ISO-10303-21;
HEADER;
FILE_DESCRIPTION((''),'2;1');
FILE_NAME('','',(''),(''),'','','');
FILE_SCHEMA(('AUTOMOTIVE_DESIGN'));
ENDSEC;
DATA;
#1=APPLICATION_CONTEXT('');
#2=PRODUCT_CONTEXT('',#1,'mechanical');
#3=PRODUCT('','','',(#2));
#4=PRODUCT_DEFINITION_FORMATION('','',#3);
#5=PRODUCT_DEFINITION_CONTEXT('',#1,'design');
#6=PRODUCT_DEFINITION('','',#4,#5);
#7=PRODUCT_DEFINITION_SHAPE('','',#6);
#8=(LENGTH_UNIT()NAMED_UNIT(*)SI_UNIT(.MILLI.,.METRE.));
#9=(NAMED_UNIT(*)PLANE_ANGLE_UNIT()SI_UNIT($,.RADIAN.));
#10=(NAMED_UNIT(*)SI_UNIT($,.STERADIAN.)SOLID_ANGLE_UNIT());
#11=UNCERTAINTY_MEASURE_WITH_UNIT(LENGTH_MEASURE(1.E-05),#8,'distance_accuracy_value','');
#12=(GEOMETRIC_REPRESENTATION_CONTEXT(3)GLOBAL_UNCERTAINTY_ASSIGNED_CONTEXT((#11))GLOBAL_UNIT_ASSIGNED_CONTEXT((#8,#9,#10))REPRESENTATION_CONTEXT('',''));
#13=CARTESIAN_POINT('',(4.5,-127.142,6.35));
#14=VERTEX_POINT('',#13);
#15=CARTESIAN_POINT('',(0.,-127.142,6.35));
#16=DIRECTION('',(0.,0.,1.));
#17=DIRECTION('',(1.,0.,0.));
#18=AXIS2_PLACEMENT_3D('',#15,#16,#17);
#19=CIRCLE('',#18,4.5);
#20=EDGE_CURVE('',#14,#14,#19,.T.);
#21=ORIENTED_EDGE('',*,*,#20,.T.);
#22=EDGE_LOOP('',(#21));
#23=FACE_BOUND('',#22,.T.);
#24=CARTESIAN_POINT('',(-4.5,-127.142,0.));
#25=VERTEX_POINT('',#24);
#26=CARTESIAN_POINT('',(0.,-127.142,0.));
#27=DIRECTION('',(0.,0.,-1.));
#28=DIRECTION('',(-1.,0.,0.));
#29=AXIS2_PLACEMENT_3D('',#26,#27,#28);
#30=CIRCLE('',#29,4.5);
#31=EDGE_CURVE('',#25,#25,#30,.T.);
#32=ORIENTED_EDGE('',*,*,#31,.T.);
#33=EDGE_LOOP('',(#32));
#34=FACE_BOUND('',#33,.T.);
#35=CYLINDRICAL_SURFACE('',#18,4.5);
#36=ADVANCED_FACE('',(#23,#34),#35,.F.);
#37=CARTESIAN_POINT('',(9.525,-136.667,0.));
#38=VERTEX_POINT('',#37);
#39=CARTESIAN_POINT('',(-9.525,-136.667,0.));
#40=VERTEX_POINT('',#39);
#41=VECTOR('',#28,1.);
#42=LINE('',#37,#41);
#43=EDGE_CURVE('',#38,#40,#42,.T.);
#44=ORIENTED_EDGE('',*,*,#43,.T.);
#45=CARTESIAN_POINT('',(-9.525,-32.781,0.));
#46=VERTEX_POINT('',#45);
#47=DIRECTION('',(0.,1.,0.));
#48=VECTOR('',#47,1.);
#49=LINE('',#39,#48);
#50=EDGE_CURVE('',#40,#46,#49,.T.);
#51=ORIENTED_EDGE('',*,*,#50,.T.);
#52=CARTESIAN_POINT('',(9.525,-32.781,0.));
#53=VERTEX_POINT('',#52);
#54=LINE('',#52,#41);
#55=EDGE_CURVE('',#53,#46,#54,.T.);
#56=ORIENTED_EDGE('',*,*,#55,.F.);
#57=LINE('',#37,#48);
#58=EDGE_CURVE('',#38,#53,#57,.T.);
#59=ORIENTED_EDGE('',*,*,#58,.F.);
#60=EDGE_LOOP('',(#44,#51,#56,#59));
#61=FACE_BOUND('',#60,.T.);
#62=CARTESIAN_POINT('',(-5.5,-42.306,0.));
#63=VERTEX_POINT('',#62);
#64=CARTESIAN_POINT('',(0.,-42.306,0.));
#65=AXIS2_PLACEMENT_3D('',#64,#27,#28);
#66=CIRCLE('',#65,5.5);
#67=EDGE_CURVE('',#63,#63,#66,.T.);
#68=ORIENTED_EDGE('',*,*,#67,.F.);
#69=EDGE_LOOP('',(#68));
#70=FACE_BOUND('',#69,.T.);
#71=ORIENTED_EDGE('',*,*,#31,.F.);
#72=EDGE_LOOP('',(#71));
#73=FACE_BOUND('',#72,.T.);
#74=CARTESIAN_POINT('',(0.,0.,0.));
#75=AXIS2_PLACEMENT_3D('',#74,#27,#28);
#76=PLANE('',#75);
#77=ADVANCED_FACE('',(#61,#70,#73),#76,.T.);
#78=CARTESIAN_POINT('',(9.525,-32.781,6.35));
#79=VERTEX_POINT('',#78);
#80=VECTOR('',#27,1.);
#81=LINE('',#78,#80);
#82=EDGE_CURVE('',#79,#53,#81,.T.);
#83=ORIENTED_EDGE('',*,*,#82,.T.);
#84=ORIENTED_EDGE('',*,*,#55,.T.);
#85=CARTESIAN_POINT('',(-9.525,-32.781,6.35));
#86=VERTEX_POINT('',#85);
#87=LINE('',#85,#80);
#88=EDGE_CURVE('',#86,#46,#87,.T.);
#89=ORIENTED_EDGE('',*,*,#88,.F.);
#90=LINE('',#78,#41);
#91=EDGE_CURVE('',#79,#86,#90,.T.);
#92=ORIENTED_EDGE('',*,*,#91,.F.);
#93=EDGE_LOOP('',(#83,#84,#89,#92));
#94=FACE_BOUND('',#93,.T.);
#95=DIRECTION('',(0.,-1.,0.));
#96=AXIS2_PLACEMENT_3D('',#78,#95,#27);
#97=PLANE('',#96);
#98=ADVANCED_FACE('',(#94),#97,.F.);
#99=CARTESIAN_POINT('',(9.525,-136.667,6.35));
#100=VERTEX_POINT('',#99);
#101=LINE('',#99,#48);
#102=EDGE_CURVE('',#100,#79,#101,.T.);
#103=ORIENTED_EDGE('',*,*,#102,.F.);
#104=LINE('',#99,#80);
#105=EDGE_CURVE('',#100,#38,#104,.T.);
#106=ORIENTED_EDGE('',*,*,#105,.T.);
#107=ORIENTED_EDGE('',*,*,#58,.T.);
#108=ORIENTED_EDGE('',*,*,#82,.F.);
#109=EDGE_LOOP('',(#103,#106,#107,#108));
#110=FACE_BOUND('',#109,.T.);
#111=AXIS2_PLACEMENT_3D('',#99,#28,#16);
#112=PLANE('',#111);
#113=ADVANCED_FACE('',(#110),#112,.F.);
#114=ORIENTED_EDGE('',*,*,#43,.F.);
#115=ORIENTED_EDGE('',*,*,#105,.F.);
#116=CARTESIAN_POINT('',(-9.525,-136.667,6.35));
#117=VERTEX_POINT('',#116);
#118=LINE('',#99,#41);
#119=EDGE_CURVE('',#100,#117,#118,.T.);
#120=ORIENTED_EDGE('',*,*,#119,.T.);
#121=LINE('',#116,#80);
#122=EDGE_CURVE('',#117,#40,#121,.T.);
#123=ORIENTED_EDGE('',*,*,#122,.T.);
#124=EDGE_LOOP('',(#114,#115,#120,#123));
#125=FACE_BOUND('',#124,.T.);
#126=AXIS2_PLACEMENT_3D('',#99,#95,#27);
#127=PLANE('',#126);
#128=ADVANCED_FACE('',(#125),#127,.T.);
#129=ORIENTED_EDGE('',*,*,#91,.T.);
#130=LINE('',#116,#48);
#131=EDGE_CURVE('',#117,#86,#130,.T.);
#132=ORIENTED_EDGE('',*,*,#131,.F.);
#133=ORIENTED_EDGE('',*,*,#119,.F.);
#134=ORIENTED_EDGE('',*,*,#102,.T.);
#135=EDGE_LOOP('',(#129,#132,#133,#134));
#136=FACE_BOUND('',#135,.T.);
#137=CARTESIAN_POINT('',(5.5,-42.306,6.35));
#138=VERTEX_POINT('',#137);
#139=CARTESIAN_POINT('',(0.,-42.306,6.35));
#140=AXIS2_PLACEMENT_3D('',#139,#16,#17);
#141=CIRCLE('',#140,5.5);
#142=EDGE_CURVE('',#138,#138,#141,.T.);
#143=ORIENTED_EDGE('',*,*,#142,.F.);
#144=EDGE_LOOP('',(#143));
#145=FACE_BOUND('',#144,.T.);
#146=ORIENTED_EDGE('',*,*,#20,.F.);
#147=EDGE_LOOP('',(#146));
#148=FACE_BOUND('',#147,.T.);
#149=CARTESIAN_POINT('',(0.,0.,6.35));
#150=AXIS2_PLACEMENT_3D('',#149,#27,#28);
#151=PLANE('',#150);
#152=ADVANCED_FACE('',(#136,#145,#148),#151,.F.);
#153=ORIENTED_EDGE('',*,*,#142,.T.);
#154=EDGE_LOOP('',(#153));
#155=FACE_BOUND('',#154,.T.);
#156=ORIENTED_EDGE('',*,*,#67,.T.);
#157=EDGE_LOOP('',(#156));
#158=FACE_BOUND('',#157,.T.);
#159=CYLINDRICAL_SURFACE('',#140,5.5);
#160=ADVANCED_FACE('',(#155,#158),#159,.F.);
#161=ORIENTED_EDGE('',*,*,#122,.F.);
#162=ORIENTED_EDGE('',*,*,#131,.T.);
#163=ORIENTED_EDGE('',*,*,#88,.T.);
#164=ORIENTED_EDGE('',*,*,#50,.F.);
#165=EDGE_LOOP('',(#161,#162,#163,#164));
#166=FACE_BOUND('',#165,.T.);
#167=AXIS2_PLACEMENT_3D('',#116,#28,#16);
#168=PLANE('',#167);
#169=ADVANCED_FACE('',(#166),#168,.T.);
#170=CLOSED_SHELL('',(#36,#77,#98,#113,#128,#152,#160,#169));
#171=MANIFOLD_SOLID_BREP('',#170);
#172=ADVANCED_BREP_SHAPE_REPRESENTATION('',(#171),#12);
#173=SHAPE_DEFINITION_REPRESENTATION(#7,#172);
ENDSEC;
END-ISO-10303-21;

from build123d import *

# Parameters (mm, degrees)
SKETCH1_W                 = 19.05
SKETCH1_H                 = 103.886
BOSS_EXTRUDE1_DEPTH       = 6.35
M8_CLEARANCE_HOLE1_D      = 9
M8_CLEARANCE_HOLE1_DEPTH  = 21.082
M8_CLEARANCE_HOLE1_TIP    = 2.703872786
M10_CLEARANCE_HOLE1_D     = 11
M10_CLEARANCE_HOLE1_DEPTH = 21.082
M10_CLEARANCE_HOLE1_TIP   = 3.304733405


with BuildPart() as part:
    # Sketch1 → Boss-Extrude1 (new body)
    with BuildSketch(Plane.XY):
        with Locations((0, -84.724)):
            Rectangle(SKETCH1_W, SKETCH1_H)
    extrude(amount=BOSS_EXTRUDE1_DEPTH)

    # M8 Clearance Hole1
    with Locations(Plane.XY.offset(6.35)):
        with Locations((0, -127.142)):
            Hole(M8_CLEARANCE_HOLE1_D / 2, depth=M8_CLEARANCE_HOLE1_DEPTH)
            with Locations((0, 0, -(M8_CLEARANCE_HOLE1_DEPTH + M8_CLEARANCE_HOLE1_TIP / 2))):  # 118° drill point
                Cone(0, M8_CLEARANCE_HOLE1_D / 2, M8_CLEARANCE_HOLE1_TIP, mode=Mode.SUBTRACT)

    # M10 Clearance Hole1
    with Locations(Plane.XY.offset(6.35)):
        with Locations((0, -42.306)):
            Hole(M10_CLEARANCE_HOLE1_D / 2, depth=M10_CLEARANCE_HOLE1_DEPTH)
            with Locations((0, 0, -(M10_CLEARANCE_HOLE1_DEPTH + M10_CLEARANCE_HOLE1_TIP / 2))):  # 118° drill point
                Cone(0, M10_CLEARANCE_HOLE1_D / 2, M10_CLEARANCE_HOLE1_TIP, mode=Mode.SUBTRACT)


solid = part.part
